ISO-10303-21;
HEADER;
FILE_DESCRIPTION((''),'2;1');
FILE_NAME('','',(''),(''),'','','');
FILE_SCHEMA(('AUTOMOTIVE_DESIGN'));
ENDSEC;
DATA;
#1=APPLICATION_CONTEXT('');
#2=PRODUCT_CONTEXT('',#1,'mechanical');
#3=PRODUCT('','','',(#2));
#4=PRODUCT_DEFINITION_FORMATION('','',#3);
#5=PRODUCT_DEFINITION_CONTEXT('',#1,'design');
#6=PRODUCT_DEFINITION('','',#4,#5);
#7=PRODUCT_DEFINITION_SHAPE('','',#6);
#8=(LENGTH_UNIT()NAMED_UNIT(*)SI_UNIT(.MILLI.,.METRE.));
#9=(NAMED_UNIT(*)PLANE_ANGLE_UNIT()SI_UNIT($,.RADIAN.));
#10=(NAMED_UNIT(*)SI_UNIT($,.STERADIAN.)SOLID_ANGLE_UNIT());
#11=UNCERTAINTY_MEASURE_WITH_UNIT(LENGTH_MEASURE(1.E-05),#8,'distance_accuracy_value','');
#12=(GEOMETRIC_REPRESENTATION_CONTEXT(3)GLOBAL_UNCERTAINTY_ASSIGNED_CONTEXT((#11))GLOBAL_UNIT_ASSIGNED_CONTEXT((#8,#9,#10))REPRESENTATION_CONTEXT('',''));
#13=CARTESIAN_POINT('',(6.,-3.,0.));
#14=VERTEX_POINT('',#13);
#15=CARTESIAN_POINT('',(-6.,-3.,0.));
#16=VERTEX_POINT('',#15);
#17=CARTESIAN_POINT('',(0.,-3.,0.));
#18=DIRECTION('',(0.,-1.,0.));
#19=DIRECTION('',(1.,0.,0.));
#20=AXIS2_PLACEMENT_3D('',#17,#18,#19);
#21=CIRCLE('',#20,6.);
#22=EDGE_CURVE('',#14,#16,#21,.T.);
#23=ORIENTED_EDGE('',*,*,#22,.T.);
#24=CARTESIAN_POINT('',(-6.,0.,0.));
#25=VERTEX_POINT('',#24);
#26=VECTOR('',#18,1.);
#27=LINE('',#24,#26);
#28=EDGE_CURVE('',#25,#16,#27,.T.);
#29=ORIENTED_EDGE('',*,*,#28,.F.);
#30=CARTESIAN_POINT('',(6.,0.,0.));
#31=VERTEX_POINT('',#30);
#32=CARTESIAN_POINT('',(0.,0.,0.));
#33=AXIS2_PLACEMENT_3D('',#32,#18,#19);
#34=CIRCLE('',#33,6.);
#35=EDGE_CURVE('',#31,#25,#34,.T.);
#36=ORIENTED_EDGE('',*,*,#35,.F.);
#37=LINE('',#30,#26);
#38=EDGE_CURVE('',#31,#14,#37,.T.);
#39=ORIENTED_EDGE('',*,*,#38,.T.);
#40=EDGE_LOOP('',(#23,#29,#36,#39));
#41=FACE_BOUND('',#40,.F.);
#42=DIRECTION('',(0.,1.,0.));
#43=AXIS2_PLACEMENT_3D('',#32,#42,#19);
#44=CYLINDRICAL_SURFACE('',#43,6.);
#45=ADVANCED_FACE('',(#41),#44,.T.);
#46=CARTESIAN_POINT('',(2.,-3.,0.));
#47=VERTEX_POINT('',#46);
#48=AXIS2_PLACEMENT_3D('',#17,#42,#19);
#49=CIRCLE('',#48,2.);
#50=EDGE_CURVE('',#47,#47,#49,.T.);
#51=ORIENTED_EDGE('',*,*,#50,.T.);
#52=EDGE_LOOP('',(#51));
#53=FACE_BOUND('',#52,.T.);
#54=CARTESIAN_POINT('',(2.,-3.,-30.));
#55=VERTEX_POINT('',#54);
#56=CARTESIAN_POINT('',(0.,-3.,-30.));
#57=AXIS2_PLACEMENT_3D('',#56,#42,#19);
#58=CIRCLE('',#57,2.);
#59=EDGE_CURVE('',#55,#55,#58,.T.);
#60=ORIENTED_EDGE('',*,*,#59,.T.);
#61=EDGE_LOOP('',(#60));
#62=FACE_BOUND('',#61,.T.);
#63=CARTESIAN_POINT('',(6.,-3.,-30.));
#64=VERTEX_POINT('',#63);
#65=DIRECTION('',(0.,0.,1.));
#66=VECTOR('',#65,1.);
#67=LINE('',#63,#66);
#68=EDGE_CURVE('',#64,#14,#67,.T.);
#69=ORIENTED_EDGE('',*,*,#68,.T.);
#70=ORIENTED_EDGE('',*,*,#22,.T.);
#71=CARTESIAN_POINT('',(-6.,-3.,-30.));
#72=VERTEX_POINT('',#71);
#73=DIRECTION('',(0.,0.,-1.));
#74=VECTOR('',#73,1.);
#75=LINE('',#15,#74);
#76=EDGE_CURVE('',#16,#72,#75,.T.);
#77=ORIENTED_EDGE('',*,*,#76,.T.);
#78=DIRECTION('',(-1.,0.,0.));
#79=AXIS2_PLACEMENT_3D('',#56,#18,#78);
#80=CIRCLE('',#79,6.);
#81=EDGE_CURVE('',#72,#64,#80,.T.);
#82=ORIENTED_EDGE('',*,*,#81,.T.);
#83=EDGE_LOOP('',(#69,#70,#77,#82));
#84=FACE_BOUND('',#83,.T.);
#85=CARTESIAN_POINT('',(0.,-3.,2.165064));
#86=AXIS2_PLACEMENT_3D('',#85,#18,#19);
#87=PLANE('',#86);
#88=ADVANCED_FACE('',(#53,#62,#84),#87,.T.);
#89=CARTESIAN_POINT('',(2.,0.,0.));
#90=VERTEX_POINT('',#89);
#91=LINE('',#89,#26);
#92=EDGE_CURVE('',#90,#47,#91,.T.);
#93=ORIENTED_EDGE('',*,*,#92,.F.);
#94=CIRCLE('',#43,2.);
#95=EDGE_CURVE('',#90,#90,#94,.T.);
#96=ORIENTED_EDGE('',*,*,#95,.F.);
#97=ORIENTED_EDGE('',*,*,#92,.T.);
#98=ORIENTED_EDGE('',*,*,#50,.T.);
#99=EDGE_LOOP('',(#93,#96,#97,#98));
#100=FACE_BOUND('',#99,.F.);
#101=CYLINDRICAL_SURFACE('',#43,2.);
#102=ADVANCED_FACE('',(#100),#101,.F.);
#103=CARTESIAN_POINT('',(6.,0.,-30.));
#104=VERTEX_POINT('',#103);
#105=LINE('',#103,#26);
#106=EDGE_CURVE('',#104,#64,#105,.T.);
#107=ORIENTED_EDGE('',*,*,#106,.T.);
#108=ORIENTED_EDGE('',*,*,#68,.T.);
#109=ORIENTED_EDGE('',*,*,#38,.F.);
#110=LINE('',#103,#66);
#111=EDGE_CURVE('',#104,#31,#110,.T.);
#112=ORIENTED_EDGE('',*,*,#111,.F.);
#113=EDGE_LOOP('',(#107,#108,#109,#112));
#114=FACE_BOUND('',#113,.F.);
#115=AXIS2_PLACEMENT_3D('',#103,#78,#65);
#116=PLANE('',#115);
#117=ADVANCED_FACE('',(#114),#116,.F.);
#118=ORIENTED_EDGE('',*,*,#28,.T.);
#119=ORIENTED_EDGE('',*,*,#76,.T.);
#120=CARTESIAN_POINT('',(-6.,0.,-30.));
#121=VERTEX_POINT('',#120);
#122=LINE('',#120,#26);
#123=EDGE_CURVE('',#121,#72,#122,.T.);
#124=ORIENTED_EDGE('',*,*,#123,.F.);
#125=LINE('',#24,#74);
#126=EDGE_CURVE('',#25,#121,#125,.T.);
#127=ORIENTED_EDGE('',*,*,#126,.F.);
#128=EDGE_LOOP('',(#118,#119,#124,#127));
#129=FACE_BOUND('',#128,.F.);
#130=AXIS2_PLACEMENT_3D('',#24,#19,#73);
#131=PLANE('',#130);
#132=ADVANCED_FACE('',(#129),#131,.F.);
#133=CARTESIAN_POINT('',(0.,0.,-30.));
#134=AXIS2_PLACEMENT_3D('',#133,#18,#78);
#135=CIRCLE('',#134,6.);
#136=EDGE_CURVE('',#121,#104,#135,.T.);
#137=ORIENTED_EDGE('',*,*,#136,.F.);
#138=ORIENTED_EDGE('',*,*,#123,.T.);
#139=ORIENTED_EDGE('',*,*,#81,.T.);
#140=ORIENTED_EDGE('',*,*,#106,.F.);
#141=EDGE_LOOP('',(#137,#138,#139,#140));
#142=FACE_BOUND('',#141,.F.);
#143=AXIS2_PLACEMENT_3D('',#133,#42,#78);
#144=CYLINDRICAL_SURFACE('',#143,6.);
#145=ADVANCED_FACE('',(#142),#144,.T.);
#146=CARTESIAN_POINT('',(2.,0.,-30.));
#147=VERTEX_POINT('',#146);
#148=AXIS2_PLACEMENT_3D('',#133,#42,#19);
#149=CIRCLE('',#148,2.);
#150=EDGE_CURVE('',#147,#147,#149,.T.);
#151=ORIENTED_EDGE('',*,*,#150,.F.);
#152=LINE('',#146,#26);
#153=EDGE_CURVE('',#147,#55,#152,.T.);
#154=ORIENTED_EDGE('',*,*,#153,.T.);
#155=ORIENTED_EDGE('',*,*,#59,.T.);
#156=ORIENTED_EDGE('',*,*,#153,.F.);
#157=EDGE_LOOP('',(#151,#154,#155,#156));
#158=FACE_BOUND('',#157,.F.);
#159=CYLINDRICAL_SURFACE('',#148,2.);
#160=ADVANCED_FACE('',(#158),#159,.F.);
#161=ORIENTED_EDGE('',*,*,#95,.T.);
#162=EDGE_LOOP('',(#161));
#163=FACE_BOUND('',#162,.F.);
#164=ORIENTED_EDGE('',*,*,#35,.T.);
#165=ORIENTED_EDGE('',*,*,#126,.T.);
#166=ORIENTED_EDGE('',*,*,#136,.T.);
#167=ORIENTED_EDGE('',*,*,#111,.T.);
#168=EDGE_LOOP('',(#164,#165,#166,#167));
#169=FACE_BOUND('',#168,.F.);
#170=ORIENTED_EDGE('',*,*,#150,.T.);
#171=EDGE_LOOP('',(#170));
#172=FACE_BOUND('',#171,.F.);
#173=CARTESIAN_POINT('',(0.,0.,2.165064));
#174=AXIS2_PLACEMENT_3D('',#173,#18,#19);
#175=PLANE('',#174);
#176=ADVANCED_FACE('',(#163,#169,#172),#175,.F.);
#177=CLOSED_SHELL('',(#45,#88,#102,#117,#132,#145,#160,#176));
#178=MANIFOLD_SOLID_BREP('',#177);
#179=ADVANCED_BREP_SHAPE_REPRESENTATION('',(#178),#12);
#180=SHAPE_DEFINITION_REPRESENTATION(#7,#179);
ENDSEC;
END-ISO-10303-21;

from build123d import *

# Parameters (mm, degrees)
F1_DEPTH = 3


with BuildPart() as f1:
    # F0 (on Front) → F1 (new body)
    with BuildSketch(Plane.XZ):
        with BuildLine():
            Line((2, 0), (6, 0))
            ThreePointArc((6, 0), (0, 6), (-6, 0))
            Line((-6, 0), (-2, 0))
            ThreePointArc((-2, 0), (0, 2), (2, 0))
        make_face()
        with BuildLine():
            Line((6, -30), (6, 0))
            ThreePointArc((6, 0), (0, -6), (-6, 0))
            Line((-6, 0), (-6, -30))
            ThreePointArc((-6, -30), (0, -24), (6, -30))
        make_face()
        with BuildLine():
            ThreePointArc((-6, 0), (0, -6), (6, 0))
            Line((6, 0), (2, 0))
            ThreePointArc((2, 0), (0, -2), (-2, 0))
            Line((-2, 0), (-6, 0))
        make_face()
        with BuildLine():
            Line((2, -30), (6, -30))
            ThreePointArc((6, -30), (0, -24), (-6, -30))
            Line((-6, -30), (-2, -30))
            ThreePointArc((-2, -30), (0, -28), (2, -30))
        make_face()
        with BuildLine():
            ThreePointArc((-6, -30), (0, -36), (6, -30))
            Line((6, -30), (2, -30))
            ThreePointArc((2, -30), (0, -32), (-2, -30))
            Line((-2, -30), (-6, -30))
        make_face()
    extrude(amount=F1_DEPTH)


solid = f1.part
